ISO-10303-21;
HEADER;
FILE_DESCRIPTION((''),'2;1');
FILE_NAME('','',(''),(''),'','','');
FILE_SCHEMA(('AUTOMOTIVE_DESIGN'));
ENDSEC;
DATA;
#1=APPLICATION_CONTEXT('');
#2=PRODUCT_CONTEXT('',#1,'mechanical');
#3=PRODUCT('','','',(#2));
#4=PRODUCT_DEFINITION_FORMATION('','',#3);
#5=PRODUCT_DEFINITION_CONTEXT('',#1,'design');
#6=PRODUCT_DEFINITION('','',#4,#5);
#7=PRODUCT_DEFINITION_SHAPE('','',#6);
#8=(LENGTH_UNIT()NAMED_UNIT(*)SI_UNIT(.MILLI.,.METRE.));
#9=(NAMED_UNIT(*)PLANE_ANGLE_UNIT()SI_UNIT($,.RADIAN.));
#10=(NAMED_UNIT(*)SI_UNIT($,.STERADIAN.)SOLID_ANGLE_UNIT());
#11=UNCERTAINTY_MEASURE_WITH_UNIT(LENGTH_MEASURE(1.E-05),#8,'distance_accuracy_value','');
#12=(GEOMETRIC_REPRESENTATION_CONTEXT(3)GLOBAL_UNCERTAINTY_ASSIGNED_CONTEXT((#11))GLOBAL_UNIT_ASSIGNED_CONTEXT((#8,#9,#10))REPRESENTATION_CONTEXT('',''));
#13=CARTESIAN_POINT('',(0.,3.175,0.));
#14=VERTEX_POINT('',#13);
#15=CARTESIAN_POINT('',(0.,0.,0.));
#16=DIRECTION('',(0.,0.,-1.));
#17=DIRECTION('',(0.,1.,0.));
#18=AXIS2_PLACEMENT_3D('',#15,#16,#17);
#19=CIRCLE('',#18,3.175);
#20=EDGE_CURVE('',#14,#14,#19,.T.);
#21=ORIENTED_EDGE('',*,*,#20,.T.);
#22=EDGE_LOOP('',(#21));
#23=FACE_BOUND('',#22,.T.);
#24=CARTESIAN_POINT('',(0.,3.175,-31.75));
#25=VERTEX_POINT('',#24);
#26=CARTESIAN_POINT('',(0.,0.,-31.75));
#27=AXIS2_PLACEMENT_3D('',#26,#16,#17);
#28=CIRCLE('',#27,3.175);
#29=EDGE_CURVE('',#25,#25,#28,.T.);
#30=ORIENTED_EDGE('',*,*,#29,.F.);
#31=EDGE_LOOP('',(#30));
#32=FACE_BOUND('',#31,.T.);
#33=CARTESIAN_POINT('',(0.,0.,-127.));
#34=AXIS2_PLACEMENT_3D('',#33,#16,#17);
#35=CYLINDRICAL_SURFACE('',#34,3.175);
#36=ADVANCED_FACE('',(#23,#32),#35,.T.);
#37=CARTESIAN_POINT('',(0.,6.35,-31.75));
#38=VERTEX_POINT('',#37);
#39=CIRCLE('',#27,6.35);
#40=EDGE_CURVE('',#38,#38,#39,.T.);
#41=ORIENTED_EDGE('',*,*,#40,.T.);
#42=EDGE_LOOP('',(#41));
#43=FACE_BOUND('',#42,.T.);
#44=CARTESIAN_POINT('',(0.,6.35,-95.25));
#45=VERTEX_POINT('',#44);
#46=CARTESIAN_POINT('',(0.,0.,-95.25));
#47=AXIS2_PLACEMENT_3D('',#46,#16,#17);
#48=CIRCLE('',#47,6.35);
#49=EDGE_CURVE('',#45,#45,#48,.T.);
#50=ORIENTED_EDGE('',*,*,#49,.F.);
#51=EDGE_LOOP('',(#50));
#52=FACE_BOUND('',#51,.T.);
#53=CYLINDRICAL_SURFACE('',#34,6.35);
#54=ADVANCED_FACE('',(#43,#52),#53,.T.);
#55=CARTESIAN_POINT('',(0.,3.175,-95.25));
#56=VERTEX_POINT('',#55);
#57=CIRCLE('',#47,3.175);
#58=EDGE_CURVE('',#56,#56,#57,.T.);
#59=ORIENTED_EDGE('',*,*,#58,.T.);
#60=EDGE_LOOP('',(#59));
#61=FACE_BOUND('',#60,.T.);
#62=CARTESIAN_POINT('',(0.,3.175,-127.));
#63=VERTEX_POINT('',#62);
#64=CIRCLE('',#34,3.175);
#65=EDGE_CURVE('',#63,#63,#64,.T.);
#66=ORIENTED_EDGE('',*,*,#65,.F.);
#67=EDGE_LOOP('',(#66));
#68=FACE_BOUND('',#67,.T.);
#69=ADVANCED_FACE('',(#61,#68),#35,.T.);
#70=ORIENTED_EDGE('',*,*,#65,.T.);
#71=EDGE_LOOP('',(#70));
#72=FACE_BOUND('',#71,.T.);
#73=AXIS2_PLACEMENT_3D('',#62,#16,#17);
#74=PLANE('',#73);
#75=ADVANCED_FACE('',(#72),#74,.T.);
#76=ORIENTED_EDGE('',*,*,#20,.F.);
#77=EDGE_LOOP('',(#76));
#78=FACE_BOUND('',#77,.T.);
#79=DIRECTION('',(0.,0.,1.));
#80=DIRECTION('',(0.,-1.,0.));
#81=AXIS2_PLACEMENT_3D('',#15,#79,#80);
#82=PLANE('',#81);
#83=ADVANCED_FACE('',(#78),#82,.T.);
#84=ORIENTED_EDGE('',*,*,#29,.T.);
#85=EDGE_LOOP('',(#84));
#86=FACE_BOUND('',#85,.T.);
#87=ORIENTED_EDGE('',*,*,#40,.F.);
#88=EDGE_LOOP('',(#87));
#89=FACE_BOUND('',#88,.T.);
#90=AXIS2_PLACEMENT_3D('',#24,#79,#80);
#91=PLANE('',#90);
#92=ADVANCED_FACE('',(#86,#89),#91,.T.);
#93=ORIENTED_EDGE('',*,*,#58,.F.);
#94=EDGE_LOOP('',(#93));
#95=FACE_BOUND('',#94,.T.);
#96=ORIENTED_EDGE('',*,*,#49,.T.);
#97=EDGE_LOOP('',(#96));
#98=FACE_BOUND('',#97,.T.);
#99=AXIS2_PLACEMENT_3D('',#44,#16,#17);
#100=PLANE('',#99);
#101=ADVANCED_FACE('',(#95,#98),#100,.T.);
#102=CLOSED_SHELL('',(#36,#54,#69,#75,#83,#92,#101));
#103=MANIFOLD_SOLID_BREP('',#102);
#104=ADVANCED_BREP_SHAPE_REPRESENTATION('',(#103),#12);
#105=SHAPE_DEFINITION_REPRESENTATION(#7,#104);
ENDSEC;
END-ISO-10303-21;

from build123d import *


with BuildPart() as part:
    # Sketch3 → Revolve1 (revolve)
    with BuildSketch(Plane(origin=(0, 0, 0), x_dir=(0, 0, -1), z_dir=(1, 0, 0))):
        Polygon((0, 0), (0, 3.175), (31.75, 3.175), (31.75, 6.35), (95.25, 6.35), (95.25, 3.175), (127, 3.175), (127, 0), align=None)
    revolve(axis=Axis((0, 0, -127), (0, 0, 1)))


solid = part.part
